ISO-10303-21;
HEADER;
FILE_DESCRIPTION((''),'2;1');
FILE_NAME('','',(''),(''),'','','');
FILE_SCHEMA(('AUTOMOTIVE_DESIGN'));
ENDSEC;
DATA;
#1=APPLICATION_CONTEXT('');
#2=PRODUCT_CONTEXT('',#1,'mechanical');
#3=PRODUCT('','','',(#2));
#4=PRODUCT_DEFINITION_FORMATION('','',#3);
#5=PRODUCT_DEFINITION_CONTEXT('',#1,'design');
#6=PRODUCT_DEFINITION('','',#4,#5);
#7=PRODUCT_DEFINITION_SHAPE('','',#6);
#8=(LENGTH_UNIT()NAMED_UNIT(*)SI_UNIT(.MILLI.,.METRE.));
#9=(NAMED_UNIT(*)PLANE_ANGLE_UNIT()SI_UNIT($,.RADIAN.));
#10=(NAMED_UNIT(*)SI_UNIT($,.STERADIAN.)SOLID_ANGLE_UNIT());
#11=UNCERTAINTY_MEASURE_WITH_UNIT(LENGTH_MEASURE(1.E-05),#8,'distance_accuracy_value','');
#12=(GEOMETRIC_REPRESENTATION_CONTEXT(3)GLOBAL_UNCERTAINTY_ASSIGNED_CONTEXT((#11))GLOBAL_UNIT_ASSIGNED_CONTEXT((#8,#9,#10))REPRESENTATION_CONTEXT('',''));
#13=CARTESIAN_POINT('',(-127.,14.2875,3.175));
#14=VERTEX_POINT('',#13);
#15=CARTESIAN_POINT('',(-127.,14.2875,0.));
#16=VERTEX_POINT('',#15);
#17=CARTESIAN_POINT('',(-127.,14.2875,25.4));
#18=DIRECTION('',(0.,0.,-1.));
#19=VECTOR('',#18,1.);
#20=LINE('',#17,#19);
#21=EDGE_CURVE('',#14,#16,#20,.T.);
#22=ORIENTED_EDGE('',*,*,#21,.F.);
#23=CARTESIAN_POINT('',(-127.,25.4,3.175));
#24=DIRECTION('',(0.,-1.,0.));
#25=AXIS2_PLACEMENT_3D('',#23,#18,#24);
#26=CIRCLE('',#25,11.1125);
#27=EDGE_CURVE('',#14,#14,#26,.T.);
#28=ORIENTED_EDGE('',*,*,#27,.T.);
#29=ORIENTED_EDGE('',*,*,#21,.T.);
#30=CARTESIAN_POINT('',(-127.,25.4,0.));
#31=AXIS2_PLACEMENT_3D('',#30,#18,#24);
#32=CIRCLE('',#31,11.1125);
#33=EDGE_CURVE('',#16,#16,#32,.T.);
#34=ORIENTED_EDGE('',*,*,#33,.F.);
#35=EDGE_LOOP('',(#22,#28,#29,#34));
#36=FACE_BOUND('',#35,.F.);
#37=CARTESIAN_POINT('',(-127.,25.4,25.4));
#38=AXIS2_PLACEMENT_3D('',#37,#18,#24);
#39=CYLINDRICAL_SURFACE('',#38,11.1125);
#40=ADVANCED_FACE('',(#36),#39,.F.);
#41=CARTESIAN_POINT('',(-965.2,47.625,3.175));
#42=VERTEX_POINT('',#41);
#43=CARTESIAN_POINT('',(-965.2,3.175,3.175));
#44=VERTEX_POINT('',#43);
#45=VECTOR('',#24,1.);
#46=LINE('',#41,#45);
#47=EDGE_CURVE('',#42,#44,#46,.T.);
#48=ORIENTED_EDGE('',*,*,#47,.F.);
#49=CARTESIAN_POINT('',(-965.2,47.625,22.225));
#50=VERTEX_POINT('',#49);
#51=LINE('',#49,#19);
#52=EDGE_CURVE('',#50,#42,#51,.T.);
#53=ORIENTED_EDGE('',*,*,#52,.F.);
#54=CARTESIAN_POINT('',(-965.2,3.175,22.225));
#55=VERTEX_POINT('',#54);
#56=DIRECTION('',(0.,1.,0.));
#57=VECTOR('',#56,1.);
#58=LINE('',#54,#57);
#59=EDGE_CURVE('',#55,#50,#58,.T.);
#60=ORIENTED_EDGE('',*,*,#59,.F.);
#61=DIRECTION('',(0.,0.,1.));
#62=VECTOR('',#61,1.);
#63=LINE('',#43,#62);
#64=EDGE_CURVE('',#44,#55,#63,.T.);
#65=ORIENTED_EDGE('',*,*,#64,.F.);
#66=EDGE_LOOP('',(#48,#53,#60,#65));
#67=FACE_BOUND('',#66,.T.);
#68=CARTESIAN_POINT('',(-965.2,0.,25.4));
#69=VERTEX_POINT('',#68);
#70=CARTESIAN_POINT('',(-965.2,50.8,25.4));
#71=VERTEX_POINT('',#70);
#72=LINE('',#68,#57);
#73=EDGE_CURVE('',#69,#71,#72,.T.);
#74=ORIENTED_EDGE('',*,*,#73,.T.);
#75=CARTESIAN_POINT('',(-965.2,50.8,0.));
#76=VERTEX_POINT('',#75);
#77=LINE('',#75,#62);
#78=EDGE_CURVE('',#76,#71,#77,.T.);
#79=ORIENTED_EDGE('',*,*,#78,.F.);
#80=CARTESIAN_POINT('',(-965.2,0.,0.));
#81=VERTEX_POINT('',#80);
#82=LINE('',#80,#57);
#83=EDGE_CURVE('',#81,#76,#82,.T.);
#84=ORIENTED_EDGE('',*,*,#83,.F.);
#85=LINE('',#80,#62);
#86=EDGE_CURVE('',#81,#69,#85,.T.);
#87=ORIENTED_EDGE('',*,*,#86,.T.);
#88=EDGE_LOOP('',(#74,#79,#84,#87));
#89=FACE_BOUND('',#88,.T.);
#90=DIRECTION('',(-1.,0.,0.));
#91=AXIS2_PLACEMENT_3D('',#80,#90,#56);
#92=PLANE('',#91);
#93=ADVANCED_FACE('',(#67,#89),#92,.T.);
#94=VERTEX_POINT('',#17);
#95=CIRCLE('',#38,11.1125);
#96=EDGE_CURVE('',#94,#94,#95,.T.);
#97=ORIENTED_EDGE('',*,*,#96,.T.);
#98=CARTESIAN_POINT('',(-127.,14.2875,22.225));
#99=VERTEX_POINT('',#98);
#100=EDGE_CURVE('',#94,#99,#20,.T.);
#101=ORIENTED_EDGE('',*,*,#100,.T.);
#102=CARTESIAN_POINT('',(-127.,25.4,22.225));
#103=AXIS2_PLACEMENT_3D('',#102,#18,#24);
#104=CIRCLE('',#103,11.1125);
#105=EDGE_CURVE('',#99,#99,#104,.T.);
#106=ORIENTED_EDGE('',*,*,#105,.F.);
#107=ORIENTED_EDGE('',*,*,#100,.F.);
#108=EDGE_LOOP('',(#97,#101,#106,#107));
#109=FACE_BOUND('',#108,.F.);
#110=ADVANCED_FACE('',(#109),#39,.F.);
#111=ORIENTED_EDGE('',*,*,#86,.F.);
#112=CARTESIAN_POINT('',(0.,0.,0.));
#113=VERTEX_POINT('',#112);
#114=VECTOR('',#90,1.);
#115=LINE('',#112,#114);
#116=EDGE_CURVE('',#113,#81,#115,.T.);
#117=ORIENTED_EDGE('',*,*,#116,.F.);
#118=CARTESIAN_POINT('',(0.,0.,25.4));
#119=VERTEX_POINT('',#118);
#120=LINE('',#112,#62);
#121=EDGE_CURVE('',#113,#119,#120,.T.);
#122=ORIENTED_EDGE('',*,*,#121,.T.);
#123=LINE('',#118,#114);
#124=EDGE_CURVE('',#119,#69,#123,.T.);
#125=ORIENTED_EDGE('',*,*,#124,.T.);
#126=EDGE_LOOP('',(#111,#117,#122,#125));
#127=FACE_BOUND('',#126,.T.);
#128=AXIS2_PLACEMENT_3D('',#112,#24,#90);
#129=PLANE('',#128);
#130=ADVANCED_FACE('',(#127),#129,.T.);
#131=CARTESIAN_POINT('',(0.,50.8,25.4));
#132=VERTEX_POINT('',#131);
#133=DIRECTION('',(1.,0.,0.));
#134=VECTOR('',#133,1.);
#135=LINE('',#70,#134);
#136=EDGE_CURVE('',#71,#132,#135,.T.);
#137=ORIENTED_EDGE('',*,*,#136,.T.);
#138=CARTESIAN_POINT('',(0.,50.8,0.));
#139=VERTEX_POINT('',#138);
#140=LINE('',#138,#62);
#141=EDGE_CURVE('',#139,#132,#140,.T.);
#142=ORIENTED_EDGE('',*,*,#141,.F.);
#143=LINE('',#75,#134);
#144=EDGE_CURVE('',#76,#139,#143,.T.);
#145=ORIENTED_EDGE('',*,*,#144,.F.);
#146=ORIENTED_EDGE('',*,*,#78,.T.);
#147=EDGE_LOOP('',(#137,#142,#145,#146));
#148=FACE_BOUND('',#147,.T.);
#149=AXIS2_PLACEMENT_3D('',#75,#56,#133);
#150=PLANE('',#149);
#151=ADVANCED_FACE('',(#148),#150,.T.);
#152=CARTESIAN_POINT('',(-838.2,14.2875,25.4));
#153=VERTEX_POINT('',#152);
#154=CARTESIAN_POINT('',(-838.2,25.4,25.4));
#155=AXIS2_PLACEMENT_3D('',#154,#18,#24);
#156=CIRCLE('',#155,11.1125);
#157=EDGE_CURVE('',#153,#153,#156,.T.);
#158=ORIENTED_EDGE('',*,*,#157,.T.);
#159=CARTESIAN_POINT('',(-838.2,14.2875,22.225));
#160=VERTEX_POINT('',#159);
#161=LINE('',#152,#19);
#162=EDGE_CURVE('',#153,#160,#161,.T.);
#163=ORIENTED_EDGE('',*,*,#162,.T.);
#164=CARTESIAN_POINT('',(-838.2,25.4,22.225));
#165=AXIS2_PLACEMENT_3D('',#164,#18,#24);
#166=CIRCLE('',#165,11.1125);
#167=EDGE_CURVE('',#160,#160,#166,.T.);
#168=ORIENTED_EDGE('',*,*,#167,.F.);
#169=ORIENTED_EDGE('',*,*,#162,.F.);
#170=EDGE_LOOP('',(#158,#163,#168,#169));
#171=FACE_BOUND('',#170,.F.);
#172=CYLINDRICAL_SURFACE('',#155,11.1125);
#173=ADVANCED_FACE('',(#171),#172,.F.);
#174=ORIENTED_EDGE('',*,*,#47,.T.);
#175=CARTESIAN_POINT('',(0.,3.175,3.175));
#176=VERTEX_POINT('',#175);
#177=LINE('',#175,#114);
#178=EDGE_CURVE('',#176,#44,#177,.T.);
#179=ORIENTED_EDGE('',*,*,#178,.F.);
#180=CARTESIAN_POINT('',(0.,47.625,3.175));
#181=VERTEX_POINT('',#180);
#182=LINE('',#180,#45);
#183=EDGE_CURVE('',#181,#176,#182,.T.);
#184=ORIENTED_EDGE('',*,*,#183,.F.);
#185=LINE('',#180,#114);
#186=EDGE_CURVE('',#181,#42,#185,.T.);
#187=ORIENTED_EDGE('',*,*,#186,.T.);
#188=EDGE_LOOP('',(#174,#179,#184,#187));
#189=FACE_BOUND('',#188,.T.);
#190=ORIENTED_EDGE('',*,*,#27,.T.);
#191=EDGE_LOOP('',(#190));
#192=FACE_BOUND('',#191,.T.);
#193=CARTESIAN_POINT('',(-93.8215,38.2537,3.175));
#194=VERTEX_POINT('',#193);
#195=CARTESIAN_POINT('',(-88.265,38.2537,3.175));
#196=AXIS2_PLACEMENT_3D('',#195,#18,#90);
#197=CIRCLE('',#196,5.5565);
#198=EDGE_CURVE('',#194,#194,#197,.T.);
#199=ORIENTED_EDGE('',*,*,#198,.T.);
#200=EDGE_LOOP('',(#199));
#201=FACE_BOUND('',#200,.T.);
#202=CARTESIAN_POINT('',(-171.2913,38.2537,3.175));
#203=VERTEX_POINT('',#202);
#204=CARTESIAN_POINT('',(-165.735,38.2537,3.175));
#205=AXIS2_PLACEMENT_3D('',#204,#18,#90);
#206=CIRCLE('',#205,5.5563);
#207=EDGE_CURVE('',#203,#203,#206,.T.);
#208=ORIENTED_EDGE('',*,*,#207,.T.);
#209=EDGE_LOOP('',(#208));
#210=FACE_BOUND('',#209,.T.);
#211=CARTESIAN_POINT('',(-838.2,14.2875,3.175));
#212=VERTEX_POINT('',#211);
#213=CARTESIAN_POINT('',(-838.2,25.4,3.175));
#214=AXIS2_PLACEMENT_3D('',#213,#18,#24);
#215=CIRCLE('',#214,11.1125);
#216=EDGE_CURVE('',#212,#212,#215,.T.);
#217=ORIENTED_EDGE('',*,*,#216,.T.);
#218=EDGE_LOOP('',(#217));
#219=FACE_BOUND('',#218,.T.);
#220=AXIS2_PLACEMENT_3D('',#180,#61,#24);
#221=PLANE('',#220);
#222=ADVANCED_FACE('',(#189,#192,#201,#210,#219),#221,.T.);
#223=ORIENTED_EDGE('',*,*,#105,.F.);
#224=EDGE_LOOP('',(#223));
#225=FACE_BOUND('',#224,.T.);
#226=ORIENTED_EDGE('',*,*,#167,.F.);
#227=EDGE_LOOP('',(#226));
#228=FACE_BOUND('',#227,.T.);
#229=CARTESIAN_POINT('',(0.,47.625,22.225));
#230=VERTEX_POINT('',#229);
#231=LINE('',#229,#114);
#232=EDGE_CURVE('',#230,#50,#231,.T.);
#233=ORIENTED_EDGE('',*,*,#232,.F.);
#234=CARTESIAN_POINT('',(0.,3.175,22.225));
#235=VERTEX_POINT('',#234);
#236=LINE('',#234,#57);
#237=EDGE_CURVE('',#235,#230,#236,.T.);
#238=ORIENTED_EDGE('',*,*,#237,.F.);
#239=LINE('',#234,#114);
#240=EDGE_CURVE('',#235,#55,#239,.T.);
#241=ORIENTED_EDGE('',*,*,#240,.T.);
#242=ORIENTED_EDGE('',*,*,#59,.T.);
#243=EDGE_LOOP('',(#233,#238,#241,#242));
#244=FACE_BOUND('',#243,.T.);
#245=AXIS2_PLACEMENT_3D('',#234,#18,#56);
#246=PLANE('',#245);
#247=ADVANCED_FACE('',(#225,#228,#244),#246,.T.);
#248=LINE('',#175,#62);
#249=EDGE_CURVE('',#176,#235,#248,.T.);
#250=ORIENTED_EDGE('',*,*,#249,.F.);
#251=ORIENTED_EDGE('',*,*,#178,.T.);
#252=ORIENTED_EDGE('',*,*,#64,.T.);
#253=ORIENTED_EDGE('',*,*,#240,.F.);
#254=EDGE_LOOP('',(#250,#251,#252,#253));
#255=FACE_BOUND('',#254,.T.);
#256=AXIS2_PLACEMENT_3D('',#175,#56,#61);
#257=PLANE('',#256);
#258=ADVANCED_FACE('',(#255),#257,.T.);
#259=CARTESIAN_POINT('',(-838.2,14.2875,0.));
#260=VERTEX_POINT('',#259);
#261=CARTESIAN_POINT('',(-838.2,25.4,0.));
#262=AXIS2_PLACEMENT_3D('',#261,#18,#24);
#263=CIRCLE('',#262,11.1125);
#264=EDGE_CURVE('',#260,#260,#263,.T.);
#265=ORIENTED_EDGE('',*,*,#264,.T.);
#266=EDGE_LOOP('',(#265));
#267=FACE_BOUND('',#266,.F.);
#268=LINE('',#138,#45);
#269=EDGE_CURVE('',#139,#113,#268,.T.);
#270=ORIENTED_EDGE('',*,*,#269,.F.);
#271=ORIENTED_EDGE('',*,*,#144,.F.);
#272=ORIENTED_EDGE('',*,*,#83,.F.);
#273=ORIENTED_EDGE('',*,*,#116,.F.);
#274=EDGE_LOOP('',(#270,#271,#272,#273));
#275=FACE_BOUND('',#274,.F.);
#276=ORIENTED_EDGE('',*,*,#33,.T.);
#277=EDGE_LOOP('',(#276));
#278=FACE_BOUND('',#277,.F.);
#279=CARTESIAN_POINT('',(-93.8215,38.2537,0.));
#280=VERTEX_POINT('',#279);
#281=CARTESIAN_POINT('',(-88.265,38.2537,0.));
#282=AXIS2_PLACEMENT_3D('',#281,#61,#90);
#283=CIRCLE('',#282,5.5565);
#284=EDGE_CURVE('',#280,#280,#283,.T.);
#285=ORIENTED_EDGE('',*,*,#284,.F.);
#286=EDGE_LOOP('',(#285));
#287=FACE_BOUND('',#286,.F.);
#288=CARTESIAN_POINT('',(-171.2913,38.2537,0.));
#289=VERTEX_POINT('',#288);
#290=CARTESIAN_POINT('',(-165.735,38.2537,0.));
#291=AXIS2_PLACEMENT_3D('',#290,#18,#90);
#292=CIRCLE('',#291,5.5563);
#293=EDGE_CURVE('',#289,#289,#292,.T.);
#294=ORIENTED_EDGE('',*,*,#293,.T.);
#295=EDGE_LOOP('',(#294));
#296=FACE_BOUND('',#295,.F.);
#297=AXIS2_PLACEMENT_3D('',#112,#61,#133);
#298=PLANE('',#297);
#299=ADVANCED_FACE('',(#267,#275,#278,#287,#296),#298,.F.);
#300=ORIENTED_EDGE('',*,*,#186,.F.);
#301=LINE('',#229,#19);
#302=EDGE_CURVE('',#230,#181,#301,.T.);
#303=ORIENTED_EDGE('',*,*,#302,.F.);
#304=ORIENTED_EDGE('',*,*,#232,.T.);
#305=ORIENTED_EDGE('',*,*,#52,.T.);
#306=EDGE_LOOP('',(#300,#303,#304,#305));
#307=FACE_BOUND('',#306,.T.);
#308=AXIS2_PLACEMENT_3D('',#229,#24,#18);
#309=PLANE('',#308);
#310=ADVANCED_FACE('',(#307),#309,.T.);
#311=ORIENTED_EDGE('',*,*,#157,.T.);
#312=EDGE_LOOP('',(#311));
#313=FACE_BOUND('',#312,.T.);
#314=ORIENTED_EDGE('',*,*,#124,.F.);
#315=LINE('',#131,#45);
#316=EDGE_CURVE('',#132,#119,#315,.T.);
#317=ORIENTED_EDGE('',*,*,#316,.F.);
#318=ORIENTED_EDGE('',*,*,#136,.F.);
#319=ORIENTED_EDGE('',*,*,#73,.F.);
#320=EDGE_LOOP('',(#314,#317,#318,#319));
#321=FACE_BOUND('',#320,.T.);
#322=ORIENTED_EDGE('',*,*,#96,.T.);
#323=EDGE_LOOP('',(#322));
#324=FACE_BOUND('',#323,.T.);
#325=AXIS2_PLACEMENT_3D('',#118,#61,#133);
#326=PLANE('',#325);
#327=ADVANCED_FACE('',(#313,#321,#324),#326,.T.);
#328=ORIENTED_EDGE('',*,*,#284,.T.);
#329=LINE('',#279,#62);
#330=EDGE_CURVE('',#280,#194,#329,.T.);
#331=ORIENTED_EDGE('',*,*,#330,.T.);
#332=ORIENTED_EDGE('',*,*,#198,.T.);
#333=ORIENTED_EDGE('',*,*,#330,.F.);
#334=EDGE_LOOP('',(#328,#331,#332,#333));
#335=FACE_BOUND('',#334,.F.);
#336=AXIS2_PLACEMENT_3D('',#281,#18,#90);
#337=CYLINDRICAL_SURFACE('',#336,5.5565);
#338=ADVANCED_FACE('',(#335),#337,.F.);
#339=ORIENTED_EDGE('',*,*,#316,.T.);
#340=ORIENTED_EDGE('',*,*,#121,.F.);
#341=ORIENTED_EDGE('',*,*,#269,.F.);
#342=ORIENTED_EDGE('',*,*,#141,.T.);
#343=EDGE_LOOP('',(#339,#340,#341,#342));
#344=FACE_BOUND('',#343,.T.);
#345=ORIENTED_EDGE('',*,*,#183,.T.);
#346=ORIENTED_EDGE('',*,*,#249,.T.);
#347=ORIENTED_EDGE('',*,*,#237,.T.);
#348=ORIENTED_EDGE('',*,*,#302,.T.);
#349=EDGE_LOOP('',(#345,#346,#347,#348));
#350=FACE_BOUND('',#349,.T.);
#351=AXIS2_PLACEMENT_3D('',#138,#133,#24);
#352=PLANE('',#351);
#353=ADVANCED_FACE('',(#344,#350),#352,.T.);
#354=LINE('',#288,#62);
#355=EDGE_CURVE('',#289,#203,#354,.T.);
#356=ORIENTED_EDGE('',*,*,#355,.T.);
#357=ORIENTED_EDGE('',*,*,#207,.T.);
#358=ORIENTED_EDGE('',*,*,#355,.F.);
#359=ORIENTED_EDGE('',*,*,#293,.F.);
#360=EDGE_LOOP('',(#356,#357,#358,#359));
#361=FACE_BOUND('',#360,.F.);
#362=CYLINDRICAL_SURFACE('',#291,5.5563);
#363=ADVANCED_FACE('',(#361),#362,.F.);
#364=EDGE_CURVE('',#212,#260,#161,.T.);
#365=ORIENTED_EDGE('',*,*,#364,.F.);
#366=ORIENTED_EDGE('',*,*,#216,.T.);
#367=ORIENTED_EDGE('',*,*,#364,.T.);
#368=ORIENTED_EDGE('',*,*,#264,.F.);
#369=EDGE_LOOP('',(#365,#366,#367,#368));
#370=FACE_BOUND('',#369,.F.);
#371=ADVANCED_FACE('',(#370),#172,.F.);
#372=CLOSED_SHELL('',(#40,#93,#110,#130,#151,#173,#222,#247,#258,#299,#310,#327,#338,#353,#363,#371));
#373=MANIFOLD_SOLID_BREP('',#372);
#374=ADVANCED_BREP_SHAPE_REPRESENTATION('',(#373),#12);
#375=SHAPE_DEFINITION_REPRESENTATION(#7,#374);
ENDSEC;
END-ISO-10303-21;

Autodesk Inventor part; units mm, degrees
ref_plane "YZ Plane" through (0, 0, 0) normal (1, 0, 0) x (0, 1, 0)
ref_plane "XZ Plane" through (0, 0, 0) normal (0, 1, 0) x (-1, 0, 0)
ref_plane "XY Plane" through (0, 0, 0) normal (0, 0, 1) x (1, 0, 0)
sketch "Sketch1" plane through (0, 0, 0) normal (0, 0, 1) x (1, 0, 0)
  line L0 (0, 0) -> (-965.2, 0)
  line L1 (-965.2, 0) -> (-965.2, 50.8)
  line L2 (-965.2, 50.8) -> (0, 50.8)
  line L3 (0, 50.8) -> (0, 0)
  dimension "d0" = 50.8
  dimension "d1" = 965.2
extrude "Extrusion1" add sketch "Sketch1" along normal blind 25.4
sketch "Sketch2" plane through (0, 0, 0) normal (1, 0, 0) x (0, 0, -1)
  line L0 (-3.175, 3.175) -> (-22.225, 3.175)
  line L1 (-22.225, 3.175) -> (-22.225, 47.625)
  line L2 (-22.225, 47.625) -> (-3.175, 47.625)
  line L3 (-3.175, 47.625) -> (-3.175, 3.175)
  line L4 (0, 0) -> (-25.4, 0) projected
  line L5 (0, 50.8) -> (0, 0) projected
  line L6 (0, 50.8) -> (-25.4, 50.8) projected
  line L7 (-25.4, 0) -> (-25.4, 50.8) projected
  dimension "d5" = 3.175
  dimension "d7" = 3.175
  dimension "d8" = 3.175
  dimension "d9" = 3.175
extrude "Extrusion2" cut sketch "Sketch2" against normal blind 965.2 contours L0 L1 L2 L3
sketch "Sketch3" plane through (0, 0, 25.4) normal (0, 0, 1) x (1, 0, 0)
  circle A0 centre (-838.2, 25.4) radius 6.2992
  line L0 (-965.2, 0) -> (0, 0)
  line L1 (-965.2, 0) -> (0, 0) projected
  line L2 (-965.2, 50.8) -> (-965.2, 0) projected
  line L3 (0, 0) -> (0, 50.8) projected
  circle A1 centre (-127, 25.4) radius 11.1125
  dimension "d13" = 25.4
  dimension "d14" = 12.5984
  dimension "d16" = 127
  dimension "d18" = 22.225
hole "Hole1" at (-838.2, 25.4, 25.4) at (-127, 25.4, 25.4) direction (0, 0, -1) diameter 22.225 end through all
sketch "Sketch4" plane through (0, 0, 0) normal (0, 0, -1) x (-1, 0, 0)
  circle A0 centre (165.735, 38.2537) radius 5.5563 projected
  arc A1 (85.416, 33.4832) -> (85.0155, 42.761) centre (88.5446, 38.2658) ccw projected
  circle A2 centre (165.735, 38.2537) radius 5.5563
  circle A3 centre (88.265, 38.2537) radius 5.5565
  circle A4 centre (88.265, 38.2537) radius 5.5565 projected
  point P0 (0, 0)
extrude "Extrusion3" cut sketch "Sketch4" against normal blind 5.08 contours A0 | A3
